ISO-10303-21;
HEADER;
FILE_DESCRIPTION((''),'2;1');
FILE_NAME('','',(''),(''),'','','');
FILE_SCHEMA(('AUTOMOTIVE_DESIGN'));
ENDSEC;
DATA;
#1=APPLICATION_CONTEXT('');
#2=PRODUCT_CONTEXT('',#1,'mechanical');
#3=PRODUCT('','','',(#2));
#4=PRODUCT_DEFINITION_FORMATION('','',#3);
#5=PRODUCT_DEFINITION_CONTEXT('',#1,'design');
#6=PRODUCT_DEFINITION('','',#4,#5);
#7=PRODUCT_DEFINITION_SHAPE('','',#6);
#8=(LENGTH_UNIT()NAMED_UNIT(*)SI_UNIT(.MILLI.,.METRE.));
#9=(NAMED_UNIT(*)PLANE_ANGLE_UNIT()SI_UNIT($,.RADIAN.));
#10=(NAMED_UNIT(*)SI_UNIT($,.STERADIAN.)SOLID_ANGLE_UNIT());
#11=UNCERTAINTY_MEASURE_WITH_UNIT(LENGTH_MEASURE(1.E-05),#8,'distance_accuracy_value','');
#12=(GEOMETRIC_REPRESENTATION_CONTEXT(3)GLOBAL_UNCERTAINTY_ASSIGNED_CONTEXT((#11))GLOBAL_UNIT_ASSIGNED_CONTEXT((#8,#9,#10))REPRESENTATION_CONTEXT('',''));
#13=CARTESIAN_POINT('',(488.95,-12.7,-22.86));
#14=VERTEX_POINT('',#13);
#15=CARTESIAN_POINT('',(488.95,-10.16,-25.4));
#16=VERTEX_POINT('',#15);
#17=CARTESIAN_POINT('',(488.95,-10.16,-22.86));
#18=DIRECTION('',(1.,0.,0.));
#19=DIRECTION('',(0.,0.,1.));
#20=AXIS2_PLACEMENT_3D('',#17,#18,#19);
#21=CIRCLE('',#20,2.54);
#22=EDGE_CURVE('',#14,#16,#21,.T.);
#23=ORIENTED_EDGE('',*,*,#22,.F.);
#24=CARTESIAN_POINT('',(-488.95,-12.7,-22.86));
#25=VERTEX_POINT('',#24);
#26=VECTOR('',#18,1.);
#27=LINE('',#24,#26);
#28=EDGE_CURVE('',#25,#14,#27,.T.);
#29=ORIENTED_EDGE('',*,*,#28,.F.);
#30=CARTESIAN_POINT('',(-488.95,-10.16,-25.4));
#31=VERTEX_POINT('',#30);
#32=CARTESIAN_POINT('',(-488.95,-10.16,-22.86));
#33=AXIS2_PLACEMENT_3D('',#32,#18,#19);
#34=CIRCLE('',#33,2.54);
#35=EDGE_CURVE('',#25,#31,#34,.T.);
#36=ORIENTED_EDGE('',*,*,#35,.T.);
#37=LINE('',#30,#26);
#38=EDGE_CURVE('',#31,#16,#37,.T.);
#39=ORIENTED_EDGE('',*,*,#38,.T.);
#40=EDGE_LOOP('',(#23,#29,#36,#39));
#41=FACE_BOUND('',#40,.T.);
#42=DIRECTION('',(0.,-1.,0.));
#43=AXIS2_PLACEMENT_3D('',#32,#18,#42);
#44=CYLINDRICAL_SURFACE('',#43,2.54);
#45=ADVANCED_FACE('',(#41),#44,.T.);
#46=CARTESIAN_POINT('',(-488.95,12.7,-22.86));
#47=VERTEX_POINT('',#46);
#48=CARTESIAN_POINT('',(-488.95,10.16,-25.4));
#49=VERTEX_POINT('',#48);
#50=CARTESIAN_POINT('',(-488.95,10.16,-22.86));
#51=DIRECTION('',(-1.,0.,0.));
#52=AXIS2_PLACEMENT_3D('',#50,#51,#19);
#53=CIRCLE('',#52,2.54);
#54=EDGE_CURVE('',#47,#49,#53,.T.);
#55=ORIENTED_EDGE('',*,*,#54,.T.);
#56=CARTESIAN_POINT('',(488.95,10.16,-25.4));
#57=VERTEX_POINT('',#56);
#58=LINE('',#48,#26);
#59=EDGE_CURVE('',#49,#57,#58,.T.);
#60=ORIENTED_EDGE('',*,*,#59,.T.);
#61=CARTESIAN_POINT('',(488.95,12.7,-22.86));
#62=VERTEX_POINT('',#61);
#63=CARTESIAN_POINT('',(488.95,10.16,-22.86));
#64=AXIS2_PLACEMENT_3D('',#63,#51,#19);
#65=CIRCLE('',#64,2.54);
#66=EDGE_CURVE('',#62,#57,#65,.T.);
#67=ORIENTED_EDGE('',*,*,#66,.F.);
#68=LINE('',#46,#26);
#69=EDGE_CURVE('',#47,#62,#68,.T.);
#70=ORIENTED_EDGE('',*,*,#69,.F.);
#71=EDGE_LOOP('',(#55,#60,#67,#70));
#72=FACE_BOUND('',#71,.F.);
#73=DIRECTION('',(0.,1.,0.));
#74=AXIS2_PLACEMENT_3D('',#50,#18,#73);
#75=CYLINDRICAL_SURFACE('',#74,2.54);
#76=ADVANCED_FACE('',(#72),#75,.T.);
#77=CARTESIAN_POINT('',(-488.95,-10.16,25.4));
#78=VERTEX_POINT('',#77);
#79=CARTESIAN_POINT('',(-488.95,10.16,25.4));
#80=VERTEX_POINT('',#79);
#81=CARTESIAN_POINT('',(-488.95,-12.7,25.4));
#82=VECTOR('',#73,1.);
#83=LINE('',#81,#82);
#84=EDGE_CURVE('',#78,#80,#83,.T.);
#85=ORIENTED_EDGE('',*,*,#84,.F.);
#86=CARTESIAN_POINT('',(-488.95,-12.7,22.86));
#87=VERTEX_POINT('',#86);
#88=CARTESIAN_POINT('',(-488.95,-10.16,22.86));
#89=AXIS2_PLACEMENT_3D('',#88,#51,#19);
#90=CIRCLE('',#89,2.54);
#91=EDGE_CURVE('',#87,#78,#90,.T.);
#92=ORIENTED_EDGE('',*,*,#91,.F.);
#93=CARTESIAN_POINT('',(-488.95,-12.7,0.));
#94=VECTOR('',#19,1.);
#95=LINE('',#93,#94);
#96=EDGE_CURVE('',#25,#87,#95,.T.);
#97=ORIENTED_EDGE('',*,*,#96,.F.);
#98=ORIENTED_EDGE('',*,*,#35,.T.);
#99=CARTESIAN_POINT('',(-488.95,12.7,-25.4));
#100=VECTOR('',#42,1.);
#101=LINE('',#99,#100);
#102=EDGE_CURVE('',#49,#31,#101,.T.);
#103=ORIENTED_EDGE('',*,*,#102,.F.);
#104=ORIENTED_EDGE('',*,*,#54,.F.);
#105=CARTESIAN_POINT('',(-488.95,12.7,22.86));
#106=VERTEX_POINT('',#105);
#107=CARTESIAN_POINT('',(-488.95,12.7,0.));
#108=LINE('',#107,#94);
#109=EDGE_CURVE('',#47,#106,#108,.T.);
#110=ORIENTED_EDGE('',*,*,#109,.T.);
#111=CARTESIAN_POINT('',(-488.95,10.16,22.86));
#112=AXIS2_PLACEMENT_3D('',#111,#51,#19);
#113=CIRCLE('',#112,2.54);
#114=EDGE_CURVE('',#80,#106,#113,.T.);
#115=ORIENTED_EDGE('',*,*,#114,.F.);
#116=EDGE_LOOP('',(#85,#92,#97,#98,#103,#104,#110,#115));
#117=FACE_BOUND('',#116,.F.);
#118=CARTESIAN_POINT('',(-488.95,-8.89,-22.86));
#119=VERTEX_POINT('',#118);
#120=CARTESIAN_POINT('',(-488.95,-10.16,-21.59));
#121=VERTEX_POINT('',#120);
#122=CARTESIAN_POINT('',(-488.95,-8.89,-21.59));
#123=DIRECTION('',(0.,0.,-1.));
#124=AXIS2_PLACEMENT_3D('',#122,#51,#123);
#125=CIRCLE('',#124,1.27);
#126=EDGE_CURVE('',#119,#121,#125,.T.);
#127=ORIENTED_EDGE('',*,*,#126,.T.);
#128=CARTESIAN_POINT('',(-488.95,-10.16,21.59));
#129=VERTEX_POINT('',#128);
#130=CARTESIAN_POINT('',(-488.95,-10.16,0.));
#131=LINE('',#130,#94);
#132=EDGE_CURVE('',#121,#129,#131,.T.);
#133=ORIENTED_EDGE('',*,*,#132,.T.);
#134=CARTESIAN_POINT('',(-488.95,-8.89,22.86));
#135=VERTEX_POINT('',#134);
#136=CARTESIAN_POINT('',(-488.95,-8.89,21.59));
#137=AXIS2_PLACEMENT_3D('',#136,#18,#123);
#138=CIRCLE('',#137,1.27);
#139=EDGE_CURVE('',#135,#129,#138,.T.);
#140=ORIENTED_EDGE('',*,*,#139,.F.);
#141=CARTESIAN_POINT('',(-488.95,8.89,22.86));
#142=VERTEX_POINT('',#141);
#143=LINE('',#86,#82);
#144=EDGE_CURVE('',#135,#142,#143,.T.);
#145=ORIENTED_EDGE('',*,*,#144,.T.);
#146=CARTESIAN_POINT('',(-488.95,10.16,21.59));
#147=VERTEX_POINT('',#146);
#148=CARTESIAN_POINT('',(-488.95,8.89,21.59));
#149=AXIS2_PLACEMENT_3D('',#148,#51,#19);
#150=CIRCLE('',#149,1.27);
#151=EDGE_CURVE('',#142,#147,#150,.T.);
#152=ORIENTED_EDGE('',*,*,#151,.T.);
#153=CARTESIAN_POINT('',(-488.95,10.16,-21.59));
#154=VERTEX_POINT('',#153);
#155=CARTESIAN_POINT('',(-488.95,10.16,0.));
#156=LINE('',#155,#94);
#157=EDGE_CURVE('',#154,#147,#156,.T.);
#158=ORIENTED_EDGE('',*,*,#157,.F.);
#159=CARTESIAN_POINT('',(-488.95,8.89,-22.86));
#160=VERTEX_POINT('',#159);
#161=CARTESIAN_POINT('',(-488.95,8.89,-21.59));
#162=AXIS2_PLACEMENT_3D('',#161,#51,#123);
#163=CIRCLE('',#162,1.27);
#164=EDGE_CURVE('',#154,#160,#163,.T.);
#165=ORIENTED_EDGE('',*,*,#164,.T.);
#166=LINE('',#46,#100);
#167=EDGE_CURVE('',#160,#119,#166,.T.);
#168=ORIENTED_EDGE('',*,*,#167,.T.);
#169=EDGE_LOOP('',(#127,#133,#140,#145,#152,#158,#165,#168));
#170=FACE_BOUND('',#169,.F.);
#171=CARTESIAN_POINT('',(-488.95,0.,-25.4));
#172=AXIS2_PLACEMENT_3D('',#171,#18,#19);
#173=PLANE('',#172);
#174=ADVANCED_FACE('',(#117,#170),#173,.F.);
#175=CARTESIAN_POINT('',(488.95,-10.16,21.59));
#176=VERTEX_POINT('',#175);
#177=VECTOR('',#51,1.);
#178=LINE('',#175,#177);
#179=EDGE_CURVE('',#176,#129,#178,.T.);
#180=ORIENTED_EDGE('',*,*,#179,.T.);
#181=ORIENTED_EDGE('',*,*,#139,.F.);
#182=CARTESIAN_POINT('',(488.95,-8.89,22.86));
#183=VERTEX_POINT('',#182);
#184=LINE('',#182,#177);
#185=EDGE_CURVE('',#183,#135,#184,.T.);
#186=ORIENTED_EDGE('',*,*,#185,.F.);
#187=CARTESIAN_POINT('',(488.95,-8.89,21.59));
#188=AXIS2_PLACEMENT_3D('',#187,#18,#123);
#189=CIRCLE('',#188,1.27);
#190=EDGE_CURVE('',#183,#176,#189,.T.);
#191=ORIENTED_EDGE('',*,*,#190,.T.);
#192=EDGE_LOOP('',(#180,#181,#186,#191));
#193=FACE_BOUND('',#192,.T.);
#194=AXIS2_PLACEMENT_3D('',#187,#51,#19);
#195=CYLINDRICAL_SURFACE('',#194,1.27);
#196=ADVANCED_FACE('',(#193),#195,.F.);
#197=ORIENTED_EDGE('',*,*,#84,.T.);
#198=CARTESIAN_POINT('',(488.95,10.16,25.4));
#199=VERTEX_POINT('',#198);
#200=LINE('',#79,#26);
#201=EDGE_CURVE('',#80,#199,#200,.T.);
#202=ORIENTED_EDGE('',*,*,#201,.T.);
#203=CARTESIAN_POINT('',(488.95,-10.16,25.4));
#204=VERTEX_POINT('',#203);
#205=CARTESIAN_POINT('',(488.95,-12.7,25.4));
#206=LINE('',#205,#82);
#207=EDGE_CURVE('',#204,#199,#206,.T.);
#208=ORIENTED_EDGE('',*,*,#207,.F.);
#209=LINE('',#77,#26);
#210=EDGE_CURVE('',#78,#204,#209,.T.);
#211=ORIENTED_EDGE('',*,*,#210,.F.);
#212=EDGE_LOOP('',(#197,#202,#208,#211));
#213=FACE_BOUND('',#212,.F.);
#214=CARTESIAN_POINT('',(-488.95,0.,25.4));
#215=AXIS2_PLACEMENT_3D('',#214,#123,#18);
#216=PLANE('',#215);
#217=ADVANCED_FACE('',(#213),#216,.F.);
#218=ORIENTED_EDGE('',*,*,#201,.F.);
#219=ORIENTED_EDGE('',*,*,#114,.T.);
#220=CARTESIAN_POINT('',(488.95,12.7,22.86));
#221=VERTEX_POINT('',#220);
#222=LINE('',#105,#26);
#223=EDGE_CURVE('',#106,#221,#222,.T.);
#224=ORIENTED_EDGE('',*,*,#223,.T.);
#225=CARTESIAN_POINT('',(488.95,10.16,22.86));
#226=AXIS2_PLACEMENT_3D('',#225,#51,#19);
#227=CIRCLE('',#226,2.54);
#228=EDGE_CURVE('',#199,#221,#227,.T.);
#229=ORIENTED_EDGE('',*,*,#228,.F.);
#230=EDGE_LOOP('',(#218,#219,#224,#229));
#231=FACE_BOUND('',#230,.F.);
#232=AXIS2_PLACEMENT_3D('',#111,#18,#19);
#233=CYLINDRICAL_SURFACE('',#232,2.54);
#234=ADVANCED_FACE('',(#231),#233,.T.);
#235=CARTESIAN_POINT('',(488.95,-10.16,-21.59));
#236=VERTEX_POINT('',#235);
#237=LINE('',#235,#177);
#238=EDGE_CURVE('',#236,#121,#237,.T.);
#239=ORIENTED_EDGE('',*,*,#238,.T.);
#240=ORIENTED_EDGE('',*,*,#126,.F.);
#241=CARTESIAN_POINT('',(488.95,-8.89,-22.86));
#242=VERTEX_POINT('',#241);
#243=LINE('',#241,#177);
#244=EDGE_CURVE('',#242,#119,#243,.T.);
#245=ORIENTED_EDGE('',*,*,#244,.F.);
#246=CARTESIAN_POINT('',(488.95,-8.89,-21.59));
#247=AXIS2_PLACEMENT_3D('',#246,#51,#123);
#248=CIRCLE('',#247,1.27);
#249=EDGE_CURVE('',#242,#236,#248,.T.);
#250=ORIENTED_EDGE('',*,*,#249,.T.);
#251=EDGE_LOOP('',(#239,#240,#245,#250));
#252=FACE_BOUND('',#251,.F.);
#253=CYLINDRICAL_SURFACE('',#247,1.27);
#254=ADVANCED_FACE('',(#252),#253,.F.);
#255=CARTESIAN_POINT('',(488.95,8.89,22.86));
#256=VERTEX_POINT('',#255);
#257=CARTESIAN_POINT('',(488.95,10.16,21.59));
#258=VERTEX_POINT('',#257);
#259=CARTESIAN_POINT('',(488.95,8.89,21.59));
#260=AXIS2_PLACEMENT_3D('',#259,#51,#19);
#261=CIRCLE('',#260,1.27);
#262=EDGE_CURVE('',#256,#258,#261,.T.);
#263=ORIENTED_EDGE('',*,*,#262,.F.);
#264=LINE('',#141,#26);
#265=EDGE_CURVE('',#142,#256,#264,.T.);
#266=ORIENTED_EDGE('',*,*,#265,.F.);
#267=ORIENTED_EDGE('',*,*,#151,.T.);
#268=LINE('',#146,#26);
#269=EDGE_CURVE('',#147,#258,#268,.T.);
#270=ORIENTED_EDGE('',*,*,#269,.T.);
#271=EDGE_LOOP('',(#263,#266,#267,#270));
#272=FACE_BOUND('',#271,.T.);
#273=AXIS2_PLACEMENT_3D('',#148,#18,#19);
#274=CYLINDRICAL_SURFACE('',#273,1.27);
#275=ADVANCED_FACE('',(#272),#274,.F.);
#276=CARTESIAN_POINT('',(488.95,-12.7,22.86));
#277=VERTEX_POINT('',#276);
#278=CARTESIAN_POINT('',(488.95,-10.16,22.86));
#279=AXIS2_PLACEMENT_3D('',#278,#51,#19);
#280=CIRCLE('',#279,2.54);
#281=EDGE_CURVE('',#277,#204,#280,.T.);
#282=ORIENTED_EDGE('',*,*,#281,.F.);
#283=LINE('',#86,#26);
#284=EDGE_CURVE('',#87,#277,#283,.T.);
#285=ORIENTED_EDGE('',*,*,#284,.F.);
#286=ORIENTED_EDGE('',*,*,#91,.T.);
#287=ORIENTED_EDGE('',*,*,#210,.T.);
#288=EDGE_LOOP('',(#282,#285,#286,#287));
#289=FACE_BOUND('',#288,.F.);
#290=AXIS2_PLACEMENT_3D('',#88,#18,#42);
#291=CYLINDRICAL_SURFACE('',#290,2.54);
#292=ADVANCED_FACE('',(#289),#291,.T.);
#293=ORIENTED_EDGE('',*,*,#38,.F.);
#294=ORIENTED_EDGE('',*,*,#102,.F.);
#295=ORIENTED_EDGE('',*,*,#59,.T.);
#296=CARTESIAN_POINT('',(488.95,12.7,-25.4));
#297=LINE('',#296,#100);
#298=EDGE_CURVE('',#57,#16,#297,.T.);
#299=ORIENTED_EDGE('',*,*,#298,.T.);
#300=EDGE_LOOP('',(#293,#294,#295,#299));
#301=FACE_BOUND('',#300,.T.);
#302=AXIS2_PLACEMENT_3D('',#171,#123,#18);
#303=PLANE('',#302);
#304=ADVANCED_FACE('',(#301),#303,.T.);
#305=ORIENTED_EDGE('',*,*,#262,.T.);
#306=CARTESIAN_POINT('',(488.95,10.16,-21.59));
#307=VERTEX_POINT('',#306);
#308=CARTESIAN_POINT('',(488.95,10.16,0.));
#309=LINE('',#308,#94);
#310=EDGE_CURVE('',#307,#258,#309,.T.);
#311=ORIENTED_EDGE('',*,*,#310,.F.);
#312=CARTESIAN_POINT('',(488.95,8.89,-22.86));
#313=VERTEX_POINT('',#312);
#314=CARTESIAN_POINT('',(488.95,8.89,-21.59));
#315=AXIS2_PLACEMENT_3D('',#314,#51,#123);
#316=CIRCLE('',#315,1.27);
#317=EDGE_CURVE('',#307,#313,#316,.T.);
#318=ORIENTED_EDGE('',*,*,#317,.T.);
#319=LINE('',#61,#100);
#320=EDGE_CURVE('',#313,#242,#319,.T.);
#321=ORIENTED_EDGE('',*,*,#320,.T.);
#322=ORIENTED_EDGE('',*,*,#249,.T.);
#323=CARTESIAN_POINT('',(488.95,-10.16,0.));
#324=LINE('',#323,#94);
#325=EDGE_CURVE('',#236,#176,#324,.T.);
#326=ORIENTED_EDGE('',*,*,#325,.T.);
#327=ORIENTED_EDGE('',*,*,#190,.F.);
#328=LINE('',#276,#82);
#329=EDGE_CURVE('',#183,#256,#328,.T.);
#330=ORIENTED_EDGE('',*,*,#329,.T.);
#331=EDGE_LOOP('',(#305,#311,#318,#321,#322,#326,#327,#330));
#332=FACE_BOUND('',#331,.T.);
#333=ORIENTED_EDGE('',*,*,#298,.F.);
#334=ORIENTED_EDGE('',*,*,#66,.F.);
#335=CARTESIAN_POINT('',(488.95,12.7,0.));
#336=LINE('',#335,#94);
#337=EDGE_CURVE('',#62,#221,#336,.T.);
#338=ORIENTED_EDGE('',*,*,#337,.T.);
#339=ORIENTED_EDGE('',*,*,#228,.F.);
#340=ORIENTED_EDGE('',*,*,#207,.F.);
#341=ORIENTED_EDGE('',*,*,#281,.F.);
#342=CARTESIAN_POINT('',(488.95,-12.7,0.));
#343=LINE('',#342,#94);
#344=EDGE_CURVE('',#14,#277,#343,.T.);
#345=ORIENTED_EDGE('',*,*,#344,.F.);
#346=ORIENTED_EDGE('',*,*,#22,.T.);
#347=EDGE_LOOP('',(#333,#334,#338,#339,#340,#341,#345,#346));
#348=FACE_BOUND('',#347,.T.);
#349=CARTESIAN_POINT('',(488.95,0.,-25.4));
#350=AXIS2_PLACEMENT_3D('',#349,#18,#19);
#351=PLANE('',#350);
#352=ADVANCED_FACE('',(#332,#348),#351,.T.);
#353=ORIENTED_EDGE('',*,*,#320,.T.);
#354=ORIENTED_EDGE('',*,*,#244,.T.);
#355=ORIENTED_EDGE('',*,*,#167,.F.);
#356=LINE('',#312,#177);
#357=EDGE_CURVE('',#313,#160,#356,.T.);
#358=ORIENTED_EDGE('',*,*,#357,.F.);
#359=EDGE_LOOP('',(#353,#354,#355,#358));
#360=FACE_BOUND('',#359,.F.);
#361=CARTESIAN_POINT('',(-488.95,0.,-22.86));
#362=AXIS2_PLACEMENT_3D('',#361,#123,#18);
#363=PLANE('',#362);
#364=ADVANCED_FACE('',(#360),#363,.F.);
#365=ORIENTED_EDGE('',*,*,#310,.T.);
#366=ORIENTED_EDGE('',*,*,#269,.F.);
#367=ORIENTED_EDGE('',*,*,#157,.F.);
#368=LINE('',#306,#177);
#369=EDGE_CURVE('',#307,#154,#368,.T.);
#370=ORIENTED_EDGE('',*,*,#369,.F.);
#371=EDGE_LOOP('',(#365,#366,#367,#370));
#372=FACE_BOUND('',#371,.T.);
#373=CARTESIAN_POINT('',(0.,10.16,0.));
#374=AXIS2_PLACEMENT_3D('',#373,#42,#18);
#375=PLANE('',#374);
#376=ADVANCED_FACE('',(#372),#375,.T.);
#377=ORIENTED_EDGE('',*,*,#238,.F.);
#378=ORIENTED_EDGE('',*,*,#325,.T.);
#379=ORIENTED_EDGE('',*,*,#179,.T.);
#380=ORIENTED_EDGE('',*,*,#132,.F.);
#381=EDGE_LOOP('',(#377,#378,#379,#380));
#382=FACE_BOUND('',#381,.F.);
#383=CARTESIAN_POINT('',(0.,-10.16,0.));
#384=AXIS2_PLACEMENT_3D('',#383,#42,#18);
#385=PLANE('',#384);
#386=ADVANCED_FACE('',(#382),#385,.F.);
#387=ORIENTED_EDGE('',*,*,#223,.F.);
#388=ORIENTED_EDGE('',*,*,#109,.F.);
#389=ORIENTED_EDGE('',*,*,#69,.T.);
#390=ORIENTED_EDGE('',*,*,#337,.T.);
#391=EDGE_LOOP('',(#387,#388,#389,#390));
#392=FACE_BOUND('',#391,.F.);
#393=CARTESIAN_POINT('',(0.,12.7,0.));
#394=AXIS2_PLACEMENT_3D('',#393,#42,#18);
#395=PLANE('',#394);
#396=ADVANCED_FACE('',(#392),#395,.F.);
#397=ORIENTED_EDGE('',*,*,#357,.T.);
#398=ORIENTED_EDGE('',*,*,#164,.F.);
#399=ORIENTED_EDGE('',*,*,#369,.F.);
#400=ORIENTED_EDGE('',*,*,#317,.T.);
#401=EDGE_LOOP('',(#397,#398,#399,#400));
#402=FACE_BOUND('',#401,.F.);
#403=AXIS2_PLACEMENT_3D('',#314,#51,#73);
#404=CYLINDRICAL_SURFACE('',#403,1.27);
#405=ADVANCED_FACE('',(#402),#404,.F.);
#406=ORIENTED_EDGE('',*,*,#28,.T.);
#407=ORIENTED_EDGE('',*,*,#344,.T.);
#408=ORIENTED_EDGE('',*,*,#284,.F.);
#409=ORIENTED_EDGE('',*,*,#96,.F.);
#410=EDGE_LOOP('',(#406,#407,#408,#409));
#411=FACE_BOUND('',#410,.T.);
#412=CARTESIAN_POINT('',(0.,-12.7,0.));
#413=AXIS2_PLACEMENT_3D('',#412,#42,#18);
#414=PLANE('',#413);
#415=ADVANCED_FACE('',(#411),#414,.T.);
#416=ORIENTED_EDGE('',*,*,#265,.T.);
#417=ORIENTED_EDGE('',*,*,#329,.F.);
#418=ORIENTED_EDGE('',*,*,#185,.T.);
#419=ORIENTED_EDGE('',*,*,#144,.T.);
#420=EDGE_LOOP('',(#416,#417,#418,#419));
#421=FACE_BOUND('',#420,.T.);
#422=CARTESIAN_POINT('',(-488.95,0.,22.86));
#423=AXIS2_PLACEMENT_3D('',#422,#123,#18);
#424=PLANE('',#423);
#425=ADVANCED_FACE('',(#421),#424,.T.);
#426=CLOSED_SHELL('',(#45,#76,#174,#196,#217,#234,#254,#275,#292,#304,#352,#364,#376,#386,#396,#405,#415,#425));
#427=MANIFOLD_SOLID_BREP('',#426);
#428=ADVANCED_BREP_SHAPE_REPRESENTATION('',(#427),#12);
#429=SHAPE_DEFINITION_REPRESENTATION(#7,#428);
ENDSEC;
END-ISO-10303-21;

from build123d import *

# Parameters (mm, degrees)
F0_W     = 977.9
F0_H     = 50.8
F1_DEPTH = 12.7
F2_T     = -2.54
F3_R     = 2.54
F4_R     = 1.27


with BuildPart() as f1:
    # F0 (on Front) → F1 (new body, symmetric)
    with BuildSketch(Plane.XZ):
        Rectangle(F0_W, F0_H)
    extrude(amount=F1_DEPTH, both=True)

    # F2
    f2_openings = [f1.faces().sort_by_distance(p)[0] for p in [
        (-488.95, 0, 0),
        (488.95, 0, 0),
    ]]
    offset(amount=F2_T, openings=f2_openings)

    # F3
    f3_edges = [f1.edges().sort_by_distance(p)[0] for p in [
        (0, -12.7, 25.4),
        (0, 12.7, 25.4),
        (0, 12.7, -25.4),
        (0, -12.7, -25.4),
    ]]
    fillet(f3_edges, radius=F3_R)

    # F4
    f4_edges = [f1.edges().sort_by_distance(p)[0] for p in [
        (0, -10.16, 22.86),
        (0, 10.16, 22.86),
        (0, 10.16, -22.86),
        (0, -10.16, -22.86),
    ]]
    fillet(f4_edges, radius=F4_R)


solid = f1.part
